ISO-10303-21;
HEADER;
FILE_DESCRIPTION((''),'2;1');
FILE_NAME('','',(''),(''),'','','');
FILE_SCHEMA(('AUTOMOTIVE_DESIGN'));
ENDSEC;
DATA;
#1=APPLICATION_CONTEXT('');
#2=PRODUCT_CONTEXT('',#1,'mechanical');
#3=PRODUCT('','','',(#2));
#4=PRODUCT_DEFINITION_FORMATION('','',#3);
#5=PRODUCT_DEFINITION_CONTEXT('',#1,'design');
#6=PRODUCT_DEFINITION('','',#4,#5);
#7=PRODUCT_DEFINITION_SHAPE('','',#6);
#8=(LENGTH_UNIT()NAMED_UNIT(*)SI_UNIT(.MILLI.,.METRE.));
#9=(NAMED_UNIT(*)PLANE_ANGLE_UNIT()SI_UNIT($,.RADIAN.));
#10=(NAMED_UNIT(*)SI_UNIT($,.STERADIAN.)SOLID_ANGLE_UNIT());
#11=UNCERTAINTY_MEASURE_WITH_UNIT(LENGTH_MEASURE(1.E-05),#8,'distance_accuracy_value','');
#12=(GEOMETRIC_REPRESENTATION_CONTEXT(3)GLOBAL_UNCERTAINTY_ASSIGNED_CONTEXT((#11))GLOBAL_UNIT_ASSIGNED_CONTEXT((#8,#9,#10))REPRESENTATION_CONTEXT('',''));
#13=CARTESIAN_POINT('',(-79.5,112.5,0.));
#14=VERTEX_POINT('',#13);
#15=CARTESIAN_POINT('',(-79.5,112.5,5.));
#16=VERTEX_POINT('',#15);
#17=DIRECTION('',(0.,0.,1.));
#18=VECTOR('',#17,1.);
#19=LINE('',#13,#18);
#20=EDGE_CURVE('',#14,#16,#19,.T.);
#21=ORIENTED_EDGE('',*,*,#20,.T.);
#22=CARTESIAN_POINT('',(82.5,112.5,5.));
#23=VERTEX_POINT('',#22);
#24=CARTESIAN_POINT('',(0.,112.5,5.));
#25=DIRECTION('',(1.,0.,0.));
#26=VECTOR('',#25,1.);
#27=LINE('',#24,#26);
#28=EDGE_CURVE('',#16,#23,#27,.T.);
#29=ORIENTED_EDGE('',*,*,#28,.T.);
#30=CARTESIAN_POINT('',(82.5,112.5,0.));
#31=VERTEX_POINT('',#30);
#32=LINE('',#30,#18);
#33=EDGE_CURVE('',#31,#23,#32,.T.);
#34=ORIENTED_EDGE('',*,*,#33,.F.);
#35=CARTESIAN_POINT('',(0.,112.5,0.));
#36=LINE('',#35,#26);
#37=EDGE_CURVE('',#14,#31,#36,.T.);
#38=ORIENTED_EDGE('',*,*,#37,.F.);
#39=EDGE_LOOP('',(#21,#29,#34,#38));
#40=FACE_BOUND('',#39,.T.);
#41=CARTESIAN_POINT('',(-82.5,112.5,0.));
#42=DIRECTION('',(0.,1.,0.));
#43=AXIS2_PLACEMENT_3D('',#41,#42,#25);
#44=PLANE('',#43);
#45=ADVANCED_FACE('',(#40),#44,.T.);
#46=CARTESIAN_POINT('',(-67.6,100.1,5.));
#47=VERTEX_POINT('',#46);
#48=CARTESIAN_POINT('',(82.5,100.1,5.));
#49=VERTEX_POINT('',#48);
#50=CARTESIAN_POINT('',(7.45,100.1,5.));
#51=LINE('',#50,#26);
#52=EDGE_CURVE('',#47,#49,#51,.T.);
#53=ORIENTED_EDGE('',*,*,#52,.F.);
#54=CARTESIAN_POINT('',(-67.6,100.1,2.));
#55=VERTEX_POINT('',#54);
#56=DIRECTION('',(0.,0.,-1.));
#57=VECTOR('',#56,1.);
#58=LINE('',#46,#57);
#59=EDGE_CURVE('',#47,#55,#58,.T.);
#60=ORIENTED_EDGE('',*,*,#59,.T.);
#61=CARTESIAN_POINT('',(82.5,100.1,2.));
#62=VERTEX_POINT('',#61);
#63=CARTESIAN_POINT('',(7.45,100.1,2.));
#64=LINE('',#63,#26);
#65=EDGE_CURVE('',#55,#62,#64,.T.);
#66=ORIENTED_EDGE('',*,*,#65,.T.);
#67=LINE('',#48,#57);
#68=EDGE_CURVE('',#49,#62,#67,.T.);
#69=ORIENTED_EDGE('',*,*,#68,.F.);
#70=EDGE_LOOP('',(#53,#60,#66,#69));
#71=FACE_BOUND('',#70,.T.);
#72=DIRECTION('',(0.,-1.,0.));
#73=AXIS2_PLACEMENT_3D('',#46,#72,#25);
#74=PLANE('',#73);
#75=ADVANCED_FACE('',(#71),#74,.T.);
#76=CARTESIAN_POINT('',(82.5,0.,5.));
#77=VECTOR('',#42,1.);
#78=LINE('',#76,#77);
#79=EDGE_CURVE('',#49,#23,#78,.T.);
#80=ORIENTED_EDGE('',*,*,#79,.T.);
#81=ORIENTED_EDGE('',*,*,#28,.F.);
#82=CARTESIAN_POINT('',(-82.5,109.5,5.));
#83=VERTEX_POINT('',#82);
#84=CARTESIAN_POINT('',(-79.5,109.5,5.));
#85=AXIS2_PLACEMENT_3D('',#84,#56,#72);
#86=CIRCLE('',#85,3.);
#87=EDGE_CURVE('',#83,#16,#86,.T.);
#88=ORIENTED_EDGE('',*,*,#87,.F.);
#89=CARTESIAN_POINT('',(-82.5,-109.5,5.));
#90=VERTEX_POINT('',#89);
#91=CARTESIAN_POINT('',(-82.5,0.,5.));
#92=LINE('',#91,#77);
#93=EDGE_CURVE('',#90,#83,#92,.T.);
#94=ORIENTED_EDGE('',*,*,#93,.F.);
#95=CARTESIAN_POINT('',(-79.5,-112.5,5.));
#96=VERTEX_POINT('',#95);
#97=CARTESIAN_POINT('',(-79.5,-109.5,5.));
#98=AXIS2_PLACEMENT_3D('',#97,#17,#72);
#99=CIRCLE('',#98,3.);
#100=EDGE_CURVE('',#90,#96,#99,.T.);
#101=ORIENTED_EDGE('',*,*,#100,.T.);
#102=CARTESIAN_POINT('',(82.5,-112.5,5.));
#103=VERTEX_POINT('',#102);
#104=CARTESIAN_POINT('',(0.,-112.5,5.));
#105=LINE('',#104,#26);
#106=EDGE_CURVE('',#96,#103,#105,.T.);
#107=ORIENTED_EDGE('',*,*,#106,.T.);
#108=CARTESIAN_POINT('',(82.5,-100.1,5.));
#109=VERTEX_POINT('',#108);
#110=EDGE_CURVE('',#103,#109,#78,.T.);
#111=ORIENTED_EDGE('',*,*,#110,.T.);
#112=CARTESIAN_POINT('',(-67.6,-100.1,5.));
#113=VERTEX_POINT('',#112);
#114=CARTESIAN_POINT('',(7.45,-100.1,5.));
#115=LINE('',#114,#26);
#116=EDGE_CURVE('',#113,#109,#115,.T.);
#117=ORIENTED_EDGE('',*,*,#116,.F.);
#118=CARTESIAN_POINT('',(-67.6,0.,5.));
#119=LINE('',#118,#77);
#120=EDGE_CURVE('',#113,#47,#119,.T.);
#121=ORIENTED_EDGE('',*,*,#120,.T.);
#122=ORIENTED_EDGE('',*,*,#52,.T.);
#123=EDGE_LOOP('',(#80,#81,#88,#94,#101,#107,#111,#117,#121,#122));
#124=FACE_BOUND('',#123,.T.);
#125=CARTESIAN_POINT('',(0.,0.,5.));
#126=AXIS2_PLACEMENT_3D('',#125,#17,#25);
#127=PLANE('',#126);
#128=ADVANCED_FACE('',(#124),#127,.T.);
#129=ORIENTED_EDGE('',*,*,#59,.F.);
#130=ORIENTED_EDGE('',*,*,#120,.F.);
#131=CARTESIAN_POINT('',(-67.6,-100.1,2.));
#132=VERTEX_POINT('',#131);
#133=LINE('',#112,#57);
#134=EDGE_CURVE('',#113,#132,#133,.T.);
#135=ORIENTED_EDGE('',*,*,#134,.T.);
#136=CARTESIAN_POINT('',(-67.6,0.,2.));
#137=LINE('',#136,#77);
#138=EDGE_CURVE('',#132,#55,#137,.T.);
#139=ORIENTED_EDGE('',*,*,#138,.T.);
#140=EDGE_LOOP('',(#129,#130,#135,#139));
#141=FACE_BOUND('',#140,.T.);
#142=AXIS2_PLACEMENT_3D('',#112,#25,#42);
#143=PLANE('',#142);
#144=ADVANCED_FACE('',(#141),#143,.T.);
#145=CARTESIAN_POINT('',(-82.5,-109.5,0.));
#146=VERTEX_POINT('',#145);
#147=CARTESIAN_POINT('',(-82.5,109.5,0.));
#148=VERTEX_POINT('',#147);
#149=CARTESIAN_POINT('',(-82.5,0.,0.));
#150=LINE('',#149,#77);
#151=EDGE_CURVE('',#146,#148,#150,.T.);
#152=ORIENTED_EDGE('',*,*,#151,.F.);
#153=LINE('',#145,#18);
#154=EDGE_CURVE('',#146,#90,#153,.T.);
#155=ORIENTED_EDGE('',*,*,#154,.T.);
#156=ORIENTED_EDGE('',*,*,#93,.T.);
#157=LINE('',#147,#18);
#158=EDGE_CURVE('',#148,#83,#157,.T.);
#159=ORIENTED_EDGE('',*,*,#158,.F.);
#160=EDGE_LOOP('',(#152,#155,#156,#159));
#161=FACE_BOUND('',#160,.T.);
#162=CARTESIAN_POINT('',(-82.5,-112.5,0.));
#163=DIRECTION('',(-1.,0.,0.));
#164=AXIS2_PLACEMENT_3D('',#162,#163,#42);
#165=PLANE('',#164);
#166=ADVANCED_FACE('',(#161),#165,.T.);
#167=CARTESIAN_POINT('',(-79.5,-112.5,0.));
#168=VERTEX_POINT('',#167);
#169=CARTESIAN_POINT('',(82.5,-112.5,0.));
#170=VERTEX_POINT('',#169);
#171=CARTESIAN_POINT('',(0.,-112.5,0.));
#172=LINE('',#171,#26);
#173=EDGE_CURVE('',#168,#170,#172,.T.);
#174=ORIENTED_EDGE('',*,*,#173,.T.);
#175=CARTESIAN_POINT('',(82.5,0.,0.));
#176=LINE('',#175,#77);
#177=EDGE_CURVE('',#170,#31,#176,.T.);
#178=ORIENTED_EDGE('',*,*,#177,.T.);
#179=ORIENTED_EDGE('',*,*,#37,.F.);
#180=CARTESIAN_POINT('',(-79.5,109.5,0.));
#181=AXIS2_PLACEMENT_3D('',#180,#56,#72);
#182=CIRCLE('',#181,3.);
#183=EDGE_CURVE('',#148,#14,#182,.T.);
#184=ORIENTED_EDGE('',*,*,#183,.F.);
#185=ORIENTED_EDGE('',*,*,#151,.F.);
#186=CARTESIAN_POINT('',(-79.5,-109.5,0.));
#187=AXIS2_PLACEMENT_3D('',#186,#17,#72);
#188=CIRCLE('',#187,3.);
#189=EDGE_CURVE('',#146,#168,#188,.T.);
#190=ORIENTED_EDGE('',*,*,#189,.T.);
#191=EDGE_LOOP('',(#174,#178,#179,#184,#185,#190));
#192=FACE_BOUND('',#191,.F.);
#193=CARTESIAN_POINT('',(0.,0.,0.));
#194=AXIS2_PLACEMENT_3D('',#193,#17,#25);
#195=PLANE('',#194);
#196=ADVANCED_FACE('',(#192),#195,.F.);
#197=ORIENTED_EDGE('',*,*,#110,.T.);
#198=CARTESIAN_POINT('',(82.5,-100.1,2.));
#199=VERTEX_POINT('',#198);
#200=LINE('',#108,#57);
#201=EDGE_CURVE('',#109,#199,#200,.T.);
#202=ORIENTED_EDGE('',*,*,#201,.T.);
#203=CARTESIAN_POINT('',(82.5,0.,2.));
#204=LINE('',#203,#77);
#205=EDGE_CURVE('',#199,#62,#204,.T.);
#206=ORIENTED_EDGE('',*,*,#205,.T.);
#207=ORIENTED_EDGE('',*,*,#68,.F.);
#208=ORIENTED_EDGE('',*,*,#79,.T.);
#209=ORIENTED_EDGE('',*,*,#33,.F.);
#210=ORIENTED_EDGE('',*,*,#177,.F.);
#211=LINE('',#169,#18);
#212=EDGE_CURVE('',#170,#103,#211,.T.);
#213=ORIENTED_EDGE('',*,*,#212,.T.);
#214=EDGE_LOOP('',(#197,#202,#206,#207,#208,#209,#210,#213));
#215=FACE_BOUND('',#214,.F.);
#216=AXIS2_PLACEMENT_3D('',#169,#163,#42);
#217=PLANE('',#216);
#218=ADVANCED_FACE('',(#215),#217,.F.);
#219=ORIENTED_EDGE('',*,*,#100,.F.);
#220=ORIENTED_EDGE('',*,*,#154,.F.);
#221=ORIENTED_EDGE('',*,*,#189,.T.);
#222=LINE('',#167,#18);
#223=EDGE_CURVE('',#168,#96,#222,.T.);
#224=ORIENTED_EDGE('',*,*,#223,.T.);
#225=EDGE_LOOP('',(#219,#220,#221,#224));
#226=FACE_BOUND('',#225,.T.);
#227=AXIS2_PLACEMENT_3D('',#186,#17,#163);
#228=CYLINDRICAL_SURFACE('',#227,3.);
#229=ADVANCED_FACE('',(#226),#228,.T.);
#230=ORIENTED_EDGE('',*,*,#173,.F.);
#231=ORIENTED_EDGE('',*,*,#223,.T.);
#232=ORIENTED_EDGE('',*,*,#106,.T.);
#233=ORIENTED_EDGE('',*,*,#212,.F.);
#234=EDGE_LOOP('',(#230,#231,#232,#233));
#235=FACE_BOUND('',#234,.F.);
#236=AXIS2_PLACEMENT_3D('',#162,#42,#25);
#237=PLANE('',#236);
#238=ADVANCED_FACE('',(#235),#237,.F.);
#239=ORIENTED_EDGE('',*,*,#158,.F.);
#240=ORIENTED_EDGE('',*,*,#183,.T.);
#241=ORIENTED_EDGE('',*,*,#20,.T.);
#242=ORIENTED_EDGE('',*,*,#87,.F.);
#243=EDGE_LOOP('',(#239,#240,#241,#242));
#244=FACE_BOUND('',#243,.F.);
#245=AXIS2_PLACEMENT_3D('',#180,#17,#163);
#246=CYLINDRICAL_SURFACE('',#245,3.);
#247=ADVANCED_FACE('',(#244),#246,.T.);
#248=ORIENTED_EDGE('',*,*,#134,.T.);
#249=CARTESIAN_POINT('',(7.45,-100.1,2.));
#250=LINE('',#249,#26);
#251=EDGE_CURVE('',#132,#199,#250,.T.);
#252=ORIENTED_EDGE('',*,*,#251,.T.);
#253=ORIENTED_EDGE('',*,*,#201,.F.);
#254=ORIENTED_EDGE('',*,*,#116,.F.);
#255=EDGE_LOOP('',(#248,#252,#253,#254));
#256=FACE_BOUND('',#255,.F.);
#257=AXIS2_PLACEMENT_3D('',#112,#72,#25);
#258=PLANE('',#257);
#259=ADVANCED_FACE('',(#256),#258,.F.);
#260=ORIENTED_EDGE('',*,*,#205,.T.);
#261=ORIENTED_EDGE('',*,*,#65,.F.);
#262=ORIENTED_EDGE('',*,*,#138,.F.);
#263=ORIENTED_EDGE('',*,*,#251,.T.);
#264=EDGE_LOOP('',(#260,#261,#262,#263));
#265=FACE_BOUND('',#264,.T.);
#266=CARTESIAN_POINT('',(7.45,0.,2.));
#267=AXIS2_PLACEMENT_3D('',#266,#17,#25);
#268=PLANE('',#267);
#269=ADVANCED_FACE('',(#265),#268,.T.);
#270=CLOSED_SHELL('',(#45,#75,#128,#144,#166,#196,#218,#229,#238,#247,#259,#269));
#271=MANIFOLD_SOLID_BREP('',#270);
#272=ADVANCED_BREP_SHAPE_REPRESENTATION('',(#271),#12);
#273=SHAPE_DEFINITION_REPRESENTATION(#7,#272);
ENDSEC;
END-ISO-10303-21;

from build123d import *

# Parameters (mm, degrees)
SKETCH_W     = 165
SKETCH_H     = 225
PAD_DEPTH    = 5
SKETCH001_W  = 150.1
SKETCH001_H  = 200.2
POCKET_DEPTH = 3
FILLET_R     = 3


with BuildPart() as part:
    # Sketch (on XY_Plane001 of Origin002) → Pad (new body)
    with BuildSketch(Plane.XY):
        Rectangle(SKETCH_W, SKETCH_H)
    extrude(amount=PAD_DEPTH)

    # Sketch001 (on Face6 of Pad) → Pocket (cut)
    with BuildSketch(Plane.XY.offset(5)):
        with Locations((7.45, 0)):
            Rectangle(SKETCH001_W, SKETCH001_H)
    extrude(amount=-POCKET_DEPTH, mode=Mode.SUBTRACT)

    # Fillet
    fillet_edges = [part.edges().sort_by_distance(p)[0] for p in [
        (-82.5, 112.5, 2.5),
        (-82.5, -112.5, 2.5),
    ]]
    fillet(fillet_edges, radius=FILLET_R)


solid = part.part
